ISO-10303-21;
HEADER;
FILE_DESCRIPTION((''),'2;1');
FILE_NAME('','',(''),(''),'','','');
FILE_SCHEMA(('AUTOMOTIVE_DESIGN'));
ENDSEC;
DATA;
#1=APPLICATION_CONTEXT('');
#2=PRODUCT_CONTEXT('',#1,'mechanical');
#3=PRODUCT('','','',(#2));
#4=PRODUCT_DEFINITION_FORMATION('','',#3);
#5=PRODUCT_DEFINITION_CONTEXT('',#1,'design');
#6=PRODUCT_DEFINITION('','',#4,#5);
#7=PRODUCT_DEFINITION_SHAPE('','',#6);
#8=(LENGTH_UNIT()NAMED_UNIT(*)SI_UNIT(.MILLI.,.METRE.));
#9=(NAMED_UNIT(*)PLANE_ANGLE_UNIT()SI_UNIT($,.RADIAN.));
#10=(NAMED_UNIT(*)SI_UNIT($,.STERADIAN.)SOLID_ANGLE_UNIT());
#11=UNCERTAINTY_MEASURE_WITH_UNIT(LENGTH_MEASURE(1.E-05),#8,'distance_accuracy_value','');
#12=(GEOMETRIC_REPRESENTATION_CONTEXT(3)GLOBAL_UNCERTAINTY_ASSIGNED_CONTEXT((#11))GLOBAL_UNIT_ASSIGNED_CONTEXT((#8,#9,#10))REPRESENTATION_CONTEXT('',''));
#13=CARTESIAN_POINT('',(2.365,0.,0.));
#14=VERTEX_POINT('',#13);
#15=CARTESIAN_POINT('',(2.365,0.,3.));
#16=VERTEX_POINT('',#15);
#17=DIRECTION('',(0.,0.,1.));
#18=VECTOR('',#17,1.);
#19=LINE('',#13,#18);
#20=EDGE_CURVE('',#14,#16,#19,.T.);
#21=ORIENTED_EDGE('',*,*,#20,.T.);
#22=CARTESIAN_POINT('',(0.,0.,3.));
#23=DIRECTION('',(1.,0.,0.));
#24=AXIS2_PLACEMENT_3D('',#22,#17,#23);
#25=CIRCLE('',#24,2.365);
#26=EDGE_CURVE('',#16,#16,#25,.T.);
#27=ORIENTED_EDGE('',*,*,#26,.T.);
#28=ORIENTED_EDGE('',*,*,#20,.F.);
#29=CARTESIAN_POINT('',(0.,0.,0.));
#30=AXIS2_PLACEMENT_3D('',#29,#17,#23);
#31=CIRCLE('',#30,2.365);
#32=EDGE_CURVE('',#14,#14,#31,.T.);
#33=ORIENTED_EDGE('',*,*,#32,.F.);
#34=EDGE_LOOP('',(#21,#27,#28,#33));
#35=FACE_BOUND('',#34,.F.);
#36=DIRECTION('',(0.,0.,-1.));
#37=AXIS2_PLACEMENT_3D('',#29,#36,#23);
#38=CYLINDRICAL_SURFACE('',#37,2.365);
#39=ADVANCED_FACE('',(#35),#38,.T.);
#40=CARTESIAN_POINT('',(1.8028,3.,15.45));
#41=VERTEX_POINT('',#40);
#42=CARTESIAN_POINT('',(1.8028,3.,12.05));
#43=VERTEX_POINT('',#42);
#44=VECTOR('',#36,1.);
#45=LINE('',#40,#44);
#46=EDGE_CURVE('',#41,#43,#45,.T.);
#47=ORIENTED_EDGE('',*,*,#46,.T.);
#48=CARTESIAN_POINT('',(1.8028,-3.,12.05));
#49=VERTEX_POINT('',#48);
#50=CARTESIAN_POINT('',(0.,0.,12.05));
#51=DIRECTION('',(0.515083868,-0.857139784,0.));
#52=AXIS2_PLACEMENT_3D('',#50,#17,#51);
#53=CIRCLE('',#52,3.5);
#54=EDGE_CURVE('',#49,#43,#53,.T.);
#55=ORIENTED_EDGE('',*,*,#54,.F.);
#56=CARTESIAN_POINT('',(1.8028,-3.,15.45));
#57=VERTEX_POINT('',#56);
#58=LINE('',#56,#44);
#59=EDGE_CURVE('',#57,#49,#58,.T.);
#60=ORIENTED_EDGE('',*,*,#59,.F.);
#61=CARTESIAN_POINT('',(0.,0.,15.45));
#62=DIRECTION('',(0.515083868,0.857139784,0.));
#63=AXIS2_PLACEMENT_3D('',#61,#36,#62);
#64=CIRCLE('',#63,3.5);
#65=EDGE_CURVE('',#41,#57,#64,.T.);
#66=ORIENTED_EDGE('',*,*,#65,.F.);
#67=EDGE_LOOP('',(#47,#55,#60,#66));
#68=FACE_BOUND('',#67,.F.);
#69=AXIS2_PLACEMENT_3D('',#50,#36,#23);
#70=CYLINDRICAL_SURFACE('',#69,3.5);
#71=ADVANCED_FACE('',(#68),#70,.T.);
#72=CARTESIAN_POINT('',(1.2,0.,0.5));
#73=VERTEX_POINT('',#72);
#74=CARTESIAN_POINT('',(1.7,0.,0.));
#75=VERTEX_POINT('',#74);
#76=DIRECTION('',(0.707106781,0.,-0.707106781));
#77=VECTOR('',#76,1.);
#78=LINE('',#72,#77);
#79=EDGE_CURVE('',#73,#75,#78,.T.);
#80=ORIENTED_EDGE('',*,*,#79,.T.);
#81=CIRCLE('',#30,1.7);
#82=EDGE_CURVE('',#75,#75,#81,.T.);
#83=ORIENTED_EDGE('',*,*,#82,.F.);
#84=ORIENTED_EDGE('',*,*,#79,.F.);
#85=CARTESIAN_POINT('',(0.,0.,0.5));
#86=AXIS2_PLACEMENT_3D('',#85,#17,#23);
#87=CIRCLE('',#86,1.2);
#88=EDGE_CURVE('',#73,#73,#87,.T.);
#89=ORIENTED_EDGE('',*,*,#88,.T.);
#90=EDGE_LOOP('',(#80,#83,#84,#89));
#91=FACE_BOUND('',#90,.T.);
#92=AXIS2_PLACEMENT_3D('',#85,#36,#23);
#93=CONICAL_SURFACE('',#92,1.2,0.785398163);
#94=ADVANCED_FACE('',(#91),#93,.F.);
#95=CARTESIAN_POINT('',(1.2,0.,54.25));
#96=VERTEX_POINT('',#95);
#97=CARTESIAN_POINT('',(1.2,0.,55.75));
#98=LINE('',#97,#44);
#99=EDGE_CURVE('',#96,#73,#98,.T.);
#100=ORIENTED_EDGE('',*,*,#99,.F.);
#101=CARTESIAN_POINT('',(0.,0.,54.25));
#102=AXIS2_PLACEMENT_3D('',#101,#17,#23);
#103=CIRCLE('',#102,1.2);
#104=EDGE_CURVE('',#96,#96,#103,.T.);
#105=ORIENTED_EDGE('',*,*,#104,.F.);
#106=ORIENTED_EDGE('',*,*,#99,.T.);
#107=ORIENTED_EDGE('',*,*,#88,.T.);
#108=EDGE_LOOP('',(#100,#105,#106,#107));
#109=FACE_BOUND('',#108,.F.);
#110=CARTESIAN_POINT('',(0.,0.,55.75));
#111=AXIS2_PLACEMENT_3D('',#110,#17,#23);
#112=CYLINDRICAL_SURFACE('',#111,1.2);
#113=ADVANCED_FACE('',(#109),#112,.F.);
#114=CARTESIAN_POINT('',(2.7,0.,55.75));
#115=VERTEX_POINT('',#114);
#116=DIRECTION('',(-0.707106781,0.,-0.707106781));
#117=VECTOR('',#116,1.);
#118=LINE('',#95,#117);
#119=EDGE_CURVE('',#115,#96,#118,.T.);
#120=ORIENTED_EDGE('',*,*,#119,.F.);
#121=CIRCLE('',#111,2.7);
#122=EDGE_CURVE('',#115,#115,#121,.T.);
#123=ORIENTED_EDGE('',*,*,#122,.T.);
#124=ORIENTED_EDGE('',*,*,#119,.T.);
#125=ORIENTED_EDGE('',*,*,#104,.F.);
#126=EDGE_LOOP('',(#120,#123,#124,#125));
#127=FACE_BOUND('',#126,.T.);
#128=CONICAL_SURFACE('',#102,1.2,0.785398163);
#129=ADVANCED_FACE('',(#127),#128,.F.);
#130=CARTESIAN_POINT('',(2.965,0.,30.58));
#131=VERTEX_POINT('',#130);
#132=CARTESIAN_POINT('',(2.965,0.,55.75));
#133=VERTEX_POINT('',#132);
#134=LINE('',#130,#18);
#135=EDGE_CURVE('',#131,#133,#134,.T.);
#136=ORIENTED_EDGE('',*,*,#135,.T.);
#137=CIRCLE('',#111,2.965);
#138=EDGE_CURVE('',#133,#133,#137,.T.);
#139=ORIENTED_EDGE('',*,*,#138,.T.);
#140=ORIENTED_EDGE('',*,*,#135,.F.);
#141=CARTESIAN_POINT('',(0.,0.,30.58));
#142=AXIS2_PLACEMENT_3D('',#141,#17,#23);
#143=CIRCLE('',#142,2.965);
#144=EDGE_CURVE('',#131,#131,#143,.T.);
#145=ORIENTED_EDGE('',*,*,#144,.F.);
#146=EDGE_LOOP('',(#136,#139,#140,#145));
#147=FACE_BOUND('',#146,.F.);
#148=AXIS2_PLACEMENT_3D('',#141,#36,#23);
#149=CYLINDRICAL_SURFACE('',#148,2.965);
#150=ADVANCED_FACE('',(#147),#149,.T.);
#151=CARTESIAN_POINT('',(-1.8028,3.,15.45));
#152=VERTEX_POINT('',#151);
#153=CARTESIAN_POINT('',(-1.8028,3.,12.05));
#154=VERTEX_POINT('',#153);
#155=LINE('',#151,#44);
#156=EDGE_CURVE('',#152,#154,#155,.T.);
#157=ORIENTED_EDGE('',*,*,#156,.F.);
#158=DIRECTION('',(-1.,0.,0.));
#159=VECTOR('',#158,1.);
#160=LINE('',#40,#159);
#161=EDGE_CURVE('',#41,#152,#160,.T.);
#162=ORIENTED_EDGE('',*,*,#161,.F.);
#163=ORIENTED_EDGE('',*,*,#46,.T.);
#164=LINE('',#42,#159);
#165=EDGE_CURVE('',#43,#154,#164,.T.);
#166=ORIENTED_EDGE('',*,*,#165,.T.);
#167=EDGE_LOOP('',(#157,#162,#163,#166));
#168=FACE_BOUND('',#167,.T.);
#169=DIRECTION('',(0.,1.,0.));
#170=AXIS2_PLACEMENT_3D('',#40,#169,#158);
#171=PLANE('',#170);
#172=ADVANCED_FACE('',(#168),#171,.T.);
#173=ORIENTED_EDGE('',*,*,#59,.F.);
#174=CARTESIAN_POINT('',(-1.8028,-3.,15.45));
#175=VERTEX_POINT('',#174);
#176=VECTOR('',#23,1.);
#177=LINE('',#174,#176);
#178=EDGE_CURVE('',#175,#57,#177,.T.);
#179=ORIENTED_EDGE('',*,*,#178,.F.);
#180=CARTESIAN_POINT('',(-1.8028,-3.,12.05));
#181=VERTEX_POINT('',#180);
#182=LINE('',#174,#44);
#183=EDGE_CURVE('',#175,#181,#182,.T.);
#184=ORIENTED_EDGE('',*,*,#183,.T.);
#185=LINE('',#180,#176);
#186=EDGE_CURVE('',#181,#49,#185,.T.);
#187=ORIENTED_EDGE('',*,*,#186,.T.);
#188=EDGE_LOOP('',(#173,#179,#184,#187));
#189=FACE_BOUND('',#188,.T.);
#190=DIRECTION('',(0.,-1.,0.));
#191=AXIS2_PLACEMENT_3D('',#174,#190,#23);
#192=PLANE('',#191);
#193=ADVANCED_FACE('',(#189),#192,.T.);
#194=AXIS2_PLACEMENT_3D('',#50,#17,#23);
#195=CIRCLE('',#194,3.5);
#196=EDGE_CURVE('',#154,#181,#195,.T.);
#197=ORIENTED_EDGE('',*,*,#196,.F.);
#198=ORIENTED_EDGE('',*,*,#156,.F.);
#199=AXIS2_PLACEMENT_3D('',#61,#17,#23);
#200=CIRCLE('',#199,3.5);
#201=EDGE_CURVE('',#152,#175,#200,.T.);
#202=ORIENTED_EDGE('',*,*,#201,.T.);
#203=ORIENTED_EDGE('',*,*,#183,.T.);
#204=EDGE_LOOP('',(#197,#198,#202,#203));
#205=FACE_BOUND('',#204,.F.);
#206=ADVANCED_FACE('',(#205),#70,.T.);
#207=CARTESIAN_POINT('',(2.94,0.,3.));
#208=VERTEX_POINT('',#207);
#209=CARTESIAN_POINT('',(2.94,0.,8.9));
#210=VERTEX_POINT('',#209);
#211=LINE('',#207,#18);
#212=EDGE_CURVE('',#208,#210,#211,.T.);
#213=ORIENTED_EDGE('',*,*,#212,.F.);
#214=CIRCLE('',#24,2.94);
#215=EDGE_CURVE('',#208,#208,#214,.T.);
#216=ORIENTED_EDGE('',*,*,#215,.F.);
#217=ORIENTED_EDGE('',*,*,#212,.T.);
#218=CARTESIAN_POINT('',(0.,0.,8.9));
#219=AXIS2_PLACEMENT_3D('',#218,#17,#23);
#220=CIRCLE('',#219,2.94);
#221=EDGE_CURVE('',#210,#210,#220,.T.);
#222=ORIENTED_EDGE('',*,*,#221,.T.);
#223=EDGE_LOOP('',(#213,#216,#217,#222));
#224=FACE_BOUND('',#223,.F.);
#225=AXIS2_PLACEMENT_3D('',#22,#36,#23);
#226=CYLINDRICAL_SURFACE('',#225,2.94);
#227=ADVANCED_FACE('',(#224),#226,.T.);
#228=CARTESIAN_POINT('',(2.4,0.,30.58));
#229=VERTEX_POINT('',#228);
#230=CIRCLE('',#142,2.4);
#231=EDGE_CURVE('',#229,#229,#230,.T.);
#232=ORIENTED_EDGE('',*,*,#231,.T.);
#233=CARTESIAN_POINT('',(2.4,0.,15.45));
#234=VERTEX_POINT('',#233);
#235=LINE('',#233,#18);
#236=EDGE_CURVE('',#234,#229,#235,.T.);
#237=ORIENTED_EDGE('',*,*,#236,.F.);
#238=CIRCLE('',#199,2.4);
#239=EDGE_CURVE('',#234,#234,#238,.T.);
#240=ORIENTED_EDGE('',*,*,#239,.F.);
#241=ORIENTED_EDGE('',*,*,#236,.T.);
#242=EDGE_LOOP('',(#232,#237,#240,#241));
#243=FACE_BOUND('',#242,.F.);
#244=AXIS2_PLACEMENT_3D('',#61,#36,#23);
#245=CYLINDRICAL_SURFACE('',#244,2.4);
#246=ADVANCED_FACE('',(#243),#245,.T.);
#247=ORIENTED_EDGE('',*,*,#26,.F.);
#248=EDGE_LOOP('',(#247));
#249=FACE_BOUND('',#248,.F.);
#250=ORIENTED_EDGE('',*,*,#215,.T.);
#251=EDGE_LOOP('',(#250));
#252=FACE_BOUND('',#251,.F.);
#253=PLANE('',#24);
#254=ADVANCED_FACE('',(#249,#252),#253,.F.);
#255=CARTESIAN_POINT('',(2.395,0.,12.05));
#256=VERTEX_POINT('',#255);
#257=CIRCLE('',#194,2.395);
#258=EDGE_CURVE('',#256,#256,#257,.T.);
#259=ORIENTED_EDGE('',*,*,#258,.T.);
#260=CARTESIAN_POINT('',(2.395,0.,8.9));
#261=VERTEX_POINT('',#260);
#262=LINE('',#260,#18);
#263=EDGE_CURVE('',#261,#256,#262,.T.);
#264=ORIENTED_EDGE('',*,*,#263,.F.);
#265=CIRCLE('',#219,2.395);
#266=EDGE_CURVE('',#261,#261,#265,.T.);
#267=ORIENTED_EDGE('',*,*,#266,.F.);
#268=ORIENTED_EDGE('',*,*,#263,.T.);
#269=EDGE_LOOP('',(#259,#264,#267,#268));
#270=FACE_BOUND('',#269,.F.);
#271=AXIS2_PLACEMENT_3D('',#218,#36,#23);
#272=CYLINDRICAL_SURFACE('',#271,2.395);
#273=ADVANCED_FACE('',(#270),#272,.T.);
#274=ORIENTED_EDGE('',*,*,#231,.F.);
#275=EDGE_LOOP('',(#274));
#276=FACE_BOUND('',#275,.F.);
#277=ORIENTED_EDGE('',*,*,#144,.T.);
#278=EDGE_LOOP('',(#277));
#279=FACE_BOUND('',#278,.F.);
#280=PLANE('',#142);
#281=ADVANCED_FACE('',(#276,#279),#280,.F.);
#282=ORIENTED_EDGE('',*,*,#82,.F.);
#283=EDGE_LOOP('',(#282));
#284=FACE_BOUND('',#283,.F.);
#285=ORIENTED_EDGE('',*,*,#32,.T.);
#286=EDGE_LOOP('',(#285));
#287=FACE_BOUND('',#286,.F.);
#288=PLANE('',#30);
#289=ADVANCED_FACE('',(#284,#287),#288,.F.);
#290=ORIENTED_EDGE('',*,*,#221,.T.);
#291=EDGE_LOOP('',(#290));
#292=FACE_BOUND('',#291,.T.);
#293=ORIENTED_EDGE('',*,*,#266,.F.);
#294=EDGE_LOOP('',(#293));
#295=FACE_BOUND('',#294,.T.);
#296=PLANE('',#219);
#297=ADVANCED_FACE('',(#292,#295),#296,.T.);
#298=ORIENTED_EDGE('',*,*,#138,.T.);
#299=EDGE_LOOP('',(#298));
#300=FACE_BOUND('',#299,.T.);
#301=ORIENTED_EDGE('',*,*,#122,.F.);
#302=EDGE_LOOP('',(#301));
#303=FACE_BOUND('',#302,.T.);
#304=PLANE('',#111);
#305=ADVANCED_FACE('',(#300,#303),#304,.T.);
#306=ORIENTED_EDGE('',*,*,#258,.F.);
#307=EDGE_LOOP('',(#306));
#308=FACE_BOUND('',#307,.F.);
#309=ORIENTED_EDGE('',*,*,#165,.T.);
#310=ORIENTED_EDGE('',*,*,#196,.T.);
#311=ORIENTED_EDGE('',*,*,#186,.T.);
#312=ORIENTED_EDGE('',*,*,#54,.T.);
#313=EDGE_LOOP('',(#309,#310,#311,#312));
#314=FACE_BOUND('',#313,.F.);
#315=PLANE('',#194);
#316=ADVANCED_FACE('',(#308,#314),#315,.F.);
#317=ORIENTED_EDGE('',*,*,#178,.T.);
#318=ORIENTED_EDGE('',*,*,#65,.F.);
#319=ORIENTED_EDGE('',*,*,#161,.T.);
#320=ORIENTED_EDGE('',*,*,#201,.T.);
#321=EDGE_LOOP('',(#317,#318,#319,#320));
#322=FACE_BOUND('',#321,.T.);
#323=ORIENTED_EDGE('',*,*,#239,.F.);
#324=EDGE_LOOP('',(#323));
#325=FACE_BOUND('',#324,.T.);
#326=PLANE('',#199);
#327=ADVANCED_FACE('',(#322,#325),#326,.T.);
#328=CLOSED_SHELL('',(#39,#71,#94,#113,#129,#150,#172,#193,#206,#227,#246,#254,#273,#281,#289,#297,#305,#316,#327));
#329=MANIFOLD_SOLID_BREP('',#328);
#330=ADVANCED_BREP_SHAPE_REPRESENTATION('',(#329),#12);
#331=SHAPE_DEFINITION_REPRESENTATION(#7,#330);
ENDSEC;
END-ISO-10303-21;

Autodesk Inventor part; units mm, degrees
ref_plane "YZ Plane" through (0, 0, 0) normal (1, 0, 0) x (0, 1, 0)
ref_plane "XZ Plane" through (0, 0, 0) normal (0, 1, 0) x (-1, 0, 0)
ref_plane "XY Plane" through (0, 0, 0) normal (0, 0, 1) x (1, 0, 0)
sketch "Sketch1" plane through (0, 0, 0) normal (0, 0, 1) x (1, 0, 0)
  circle A0 centre (0, 0) radius 2.365
  dimension "d0" = 4.73
extrude "Extrusion1" add sketch "Sketch1" along normal blind 3
sketch "Sketch2" plane through (0, 0, 3) normal (0, 0, 1) x (1, 0, 0)
  circle A0 centre (0, 0) radius 2.94
  dimension "d3" = 5.88
extrude "Extrusion2" add sketch "Sketch2" along normal blind 5.9
thread "Thread1" size "M6x1" class "6g" standard "ANSI Metric M Profile" full length
sketch "Sketch3" plane through (0, 0, 8.9) normal (0, 0, 1) x (1, 0, 0)
  circle A0 centre (0, 0) radius 2.94 projected
  circle A1 centre (0, 0) radius 2.395
  dimension "d8" = 4.79
extrude "Extrusion3" add sketch "Sketch3" along normal blind 3.15 contours A1
sketch "Sketch4" plane through (0, 0, 12.05) normal (0, 0, 1) x (1, 0, 0)
  circle A0 centre (0, 0) radius 3.5
  dimension "d11" = 7
extrude "Extrusion4" add sketch "Sketch4" along normal blind 3.4
sketch "Sketch5" plane through (0, 0, 15.45) normal (0, 0, 1) x (1, 0, 0)
  line L0 (-1.8028, -3) -> (1.8028, -3)
  line L1 (9.1237, -3) -> (9.1237, 3)
  line L2 (1.8028, 3) -> (-1.8028, 3)
  line L3 (-9.1237, 3) -> (-9.1237, -3)
  line L4 (-9.1237, -3) -> (9.1237, 3) construction
  line L5 (9.1237, -3) -> (-9.1237, 3) construction
  circle A0 centre (0, 0) radius 3.5 projected
  dimension "d14" = 6
extrude "Extrusion5" cut sketch "Sketch5" against normal blind 3.4 contours L0 A0 | A0 L2
sketch "Sketch6" plane through (0, 0, 15.45) normal (0, 0, 1) x (1, 0, 0)
  circle A0 centre (0, 0) radius 2.4
  dimension "d17" = 4.8
extrude "Extrusion6" add sketch "Sketch6" along normal blind 15.13
sketch "Sketch7" plane through (0, 0, 30.58) normal (0, 0, 1) x (1, 0, 0)
  circle A0 centre (0, 0) radius 2.965
  dimension "d20" = 5.93
extrude "Extrusion7" add sketch "Sketch7" along normal blind 25.17
thread "Thread2" size "M6x1" class "6g" standard "ANSI Metric M Profile" full length
sketch "Sketch8" plane through (0, 0, 55.75) normal (0, 0, 1) x (1, 0, 0)
  circle A0 centre (0, 0) radius 1.2
  dimension "d25" = 2.4
extrude "Extrusion8" cut sketch "Sketch8" against normal through all
chamfer "Chamfer1" distance 1.5 angle 45 1 edges at (-1.2, 0, 55.75)
chamfer "Chamfer2" distance 0.5 angle 45 1 edges at (-1.2, 0, 0)
properties part number "feeder tube" material "Stainless Steel"
